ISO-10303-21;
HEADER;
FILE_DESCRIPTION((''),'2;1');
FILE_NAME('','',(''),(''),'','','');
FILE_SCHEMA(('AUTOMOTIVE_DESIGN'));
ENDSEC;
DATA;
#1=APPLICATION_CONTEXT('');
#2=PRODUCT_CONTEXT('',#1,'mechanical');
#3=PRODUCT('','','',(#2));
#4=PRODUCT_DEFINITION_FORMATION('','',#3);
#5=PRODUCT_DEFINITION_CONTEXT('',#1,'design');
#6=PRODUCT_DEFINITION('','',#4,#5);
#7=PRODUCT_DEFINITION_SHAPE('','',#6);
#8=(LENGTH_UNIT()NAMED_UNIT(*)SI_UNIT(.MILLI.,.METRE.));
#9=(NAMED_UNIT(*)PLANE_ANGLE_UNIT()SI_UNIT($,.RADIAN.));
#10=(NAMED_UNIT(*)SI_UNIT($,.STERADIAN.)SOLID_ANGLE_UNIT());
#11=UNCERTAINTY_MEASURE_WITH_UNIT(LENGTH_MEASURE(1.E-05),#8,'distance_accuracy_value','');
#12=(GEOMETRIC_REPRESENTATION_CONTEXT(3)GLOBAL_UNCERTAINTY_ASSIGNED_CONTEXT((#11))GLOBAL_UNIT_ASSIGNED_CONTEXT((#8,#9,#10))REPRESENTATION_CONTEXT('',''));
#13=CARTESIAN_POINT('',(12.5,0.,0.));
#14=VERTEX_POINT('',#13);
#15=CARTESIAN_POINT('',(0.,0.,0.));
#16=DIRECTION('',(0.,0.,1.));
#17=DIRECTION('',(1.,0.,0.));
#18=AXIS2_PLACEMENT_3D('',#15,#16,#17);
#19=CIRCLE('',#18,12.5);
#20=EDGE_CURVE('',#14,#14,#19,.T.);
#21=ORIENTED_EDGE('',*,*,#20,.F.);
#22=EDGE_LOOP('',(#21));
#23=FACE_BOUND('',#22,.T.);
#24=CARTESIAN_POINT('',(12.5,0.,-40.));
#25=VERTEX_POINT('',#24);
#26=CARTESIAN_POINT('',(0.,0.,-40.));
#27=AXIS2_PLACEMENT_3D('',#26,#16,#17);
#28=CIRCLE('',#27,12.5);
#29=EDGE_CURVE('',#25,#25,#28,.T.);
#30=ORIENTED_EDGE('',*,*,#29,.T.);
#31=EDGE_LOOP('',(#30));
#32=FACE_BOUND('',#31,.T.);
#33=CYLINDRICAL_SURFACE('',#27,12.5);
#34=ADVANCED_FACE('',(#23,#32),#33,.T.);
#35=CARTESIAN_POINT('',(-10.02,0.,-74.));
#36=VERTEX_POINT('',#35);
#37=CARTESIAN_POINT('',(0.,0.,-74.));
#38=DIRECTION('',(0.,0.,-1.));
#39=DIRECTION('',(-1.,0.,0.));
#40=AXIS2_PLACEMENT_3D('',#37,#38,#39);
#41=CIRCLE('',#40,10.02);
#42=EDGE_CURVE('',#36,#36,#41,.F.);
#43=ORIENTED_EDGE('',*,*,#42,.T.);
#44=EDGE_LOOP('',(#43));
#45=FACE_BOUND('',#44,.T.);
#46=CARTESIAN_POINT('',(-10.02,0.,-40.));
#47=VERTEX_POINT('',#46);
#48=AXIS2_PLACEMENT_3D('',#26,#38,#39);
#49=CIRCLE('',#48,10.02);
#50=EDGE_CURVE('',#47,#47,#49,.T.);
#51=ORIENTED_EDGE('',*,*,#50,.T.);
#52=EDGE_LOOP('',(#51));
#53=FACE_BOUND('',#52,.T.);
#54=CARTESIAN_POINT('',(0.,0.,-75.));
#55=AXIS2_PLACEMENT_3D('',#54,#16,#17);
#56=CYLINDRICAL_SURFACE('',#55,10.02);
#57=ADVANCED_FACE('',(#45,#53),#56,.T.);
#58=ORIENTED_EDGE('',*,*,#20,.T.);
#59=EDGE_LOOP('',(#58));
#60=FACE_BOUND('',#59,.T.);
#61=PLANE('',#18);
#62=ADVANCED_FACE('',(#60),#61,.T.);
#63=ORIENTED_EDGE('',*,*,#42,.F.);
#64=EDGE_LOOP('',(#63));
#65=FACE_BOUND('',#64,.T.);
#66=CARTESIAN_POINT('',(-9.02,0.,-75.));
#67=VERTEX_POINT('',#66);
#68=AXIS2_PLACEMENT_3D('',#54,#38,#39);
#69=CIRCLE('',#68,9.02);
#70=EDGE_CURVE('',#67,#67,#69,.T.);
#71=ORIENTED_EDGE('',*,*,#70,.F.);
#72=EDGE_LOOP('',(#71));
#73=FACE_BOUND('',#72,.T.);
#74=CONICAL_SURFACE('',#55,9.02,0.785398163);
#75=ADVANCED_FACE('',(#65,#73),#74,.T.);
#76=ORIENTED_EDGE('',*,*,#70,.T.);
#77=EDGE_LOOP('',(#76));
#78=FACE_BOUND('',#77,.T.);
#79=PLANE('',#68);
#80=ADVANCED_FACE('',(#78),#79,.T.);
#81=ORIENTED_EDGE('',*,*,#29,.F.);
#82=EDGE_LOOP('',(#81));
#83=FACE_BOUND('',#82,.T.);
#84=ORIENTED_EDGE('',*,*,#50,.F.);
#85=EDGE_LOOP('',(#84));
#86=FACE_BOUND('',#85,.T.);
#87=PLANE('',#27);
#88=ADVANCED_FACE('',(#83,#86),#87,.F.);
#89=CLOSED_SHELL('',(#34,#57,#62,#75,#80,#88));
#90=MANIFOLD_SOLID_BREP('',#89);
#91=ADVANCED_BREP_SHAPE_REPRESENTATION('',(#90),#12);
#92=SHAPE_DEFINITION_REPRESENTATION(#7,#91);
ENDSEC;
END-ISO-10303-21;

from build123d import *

# Parameters (mm, degrees)
SKETCH1_R           = 12.5
BOSS_EXTRUDE1_DEPTH = 40
SKETCH2_R           = 10.02
BOSS_EXTRUDE2_DEPTH = 35
CHAMFER1_SIZE       = 1


with BuildPart() as part:
    # Sketch1 → Boss-Extrude1 (new body)
    with BuildSketch(Plane.XY):
        Circle(SKETCH1_R)
    extrude(amount=-BOSS_EXTRUDE1_DEPTH)

    # Sketch2 → Boss-Extrude2 (add)
    with BuildSketch(Plane(origin=(0, 0, -40), x_dir=(-1, 0, 0), z_dir=(0, 0, -1))):
        Circle(SKETCH2_R)
    extrude(amount=BOSS_EXTRUDE2_DEPTH)

    # Chamfer1
    chamfer1_edges = [part.edges().sort_by_distance(p)[0] for p in [
        (10.02, 0, -75),
    ]]
    chamfer(chamfer1_edges, length=CHAMFER1_SIZE)


solid = part.part
